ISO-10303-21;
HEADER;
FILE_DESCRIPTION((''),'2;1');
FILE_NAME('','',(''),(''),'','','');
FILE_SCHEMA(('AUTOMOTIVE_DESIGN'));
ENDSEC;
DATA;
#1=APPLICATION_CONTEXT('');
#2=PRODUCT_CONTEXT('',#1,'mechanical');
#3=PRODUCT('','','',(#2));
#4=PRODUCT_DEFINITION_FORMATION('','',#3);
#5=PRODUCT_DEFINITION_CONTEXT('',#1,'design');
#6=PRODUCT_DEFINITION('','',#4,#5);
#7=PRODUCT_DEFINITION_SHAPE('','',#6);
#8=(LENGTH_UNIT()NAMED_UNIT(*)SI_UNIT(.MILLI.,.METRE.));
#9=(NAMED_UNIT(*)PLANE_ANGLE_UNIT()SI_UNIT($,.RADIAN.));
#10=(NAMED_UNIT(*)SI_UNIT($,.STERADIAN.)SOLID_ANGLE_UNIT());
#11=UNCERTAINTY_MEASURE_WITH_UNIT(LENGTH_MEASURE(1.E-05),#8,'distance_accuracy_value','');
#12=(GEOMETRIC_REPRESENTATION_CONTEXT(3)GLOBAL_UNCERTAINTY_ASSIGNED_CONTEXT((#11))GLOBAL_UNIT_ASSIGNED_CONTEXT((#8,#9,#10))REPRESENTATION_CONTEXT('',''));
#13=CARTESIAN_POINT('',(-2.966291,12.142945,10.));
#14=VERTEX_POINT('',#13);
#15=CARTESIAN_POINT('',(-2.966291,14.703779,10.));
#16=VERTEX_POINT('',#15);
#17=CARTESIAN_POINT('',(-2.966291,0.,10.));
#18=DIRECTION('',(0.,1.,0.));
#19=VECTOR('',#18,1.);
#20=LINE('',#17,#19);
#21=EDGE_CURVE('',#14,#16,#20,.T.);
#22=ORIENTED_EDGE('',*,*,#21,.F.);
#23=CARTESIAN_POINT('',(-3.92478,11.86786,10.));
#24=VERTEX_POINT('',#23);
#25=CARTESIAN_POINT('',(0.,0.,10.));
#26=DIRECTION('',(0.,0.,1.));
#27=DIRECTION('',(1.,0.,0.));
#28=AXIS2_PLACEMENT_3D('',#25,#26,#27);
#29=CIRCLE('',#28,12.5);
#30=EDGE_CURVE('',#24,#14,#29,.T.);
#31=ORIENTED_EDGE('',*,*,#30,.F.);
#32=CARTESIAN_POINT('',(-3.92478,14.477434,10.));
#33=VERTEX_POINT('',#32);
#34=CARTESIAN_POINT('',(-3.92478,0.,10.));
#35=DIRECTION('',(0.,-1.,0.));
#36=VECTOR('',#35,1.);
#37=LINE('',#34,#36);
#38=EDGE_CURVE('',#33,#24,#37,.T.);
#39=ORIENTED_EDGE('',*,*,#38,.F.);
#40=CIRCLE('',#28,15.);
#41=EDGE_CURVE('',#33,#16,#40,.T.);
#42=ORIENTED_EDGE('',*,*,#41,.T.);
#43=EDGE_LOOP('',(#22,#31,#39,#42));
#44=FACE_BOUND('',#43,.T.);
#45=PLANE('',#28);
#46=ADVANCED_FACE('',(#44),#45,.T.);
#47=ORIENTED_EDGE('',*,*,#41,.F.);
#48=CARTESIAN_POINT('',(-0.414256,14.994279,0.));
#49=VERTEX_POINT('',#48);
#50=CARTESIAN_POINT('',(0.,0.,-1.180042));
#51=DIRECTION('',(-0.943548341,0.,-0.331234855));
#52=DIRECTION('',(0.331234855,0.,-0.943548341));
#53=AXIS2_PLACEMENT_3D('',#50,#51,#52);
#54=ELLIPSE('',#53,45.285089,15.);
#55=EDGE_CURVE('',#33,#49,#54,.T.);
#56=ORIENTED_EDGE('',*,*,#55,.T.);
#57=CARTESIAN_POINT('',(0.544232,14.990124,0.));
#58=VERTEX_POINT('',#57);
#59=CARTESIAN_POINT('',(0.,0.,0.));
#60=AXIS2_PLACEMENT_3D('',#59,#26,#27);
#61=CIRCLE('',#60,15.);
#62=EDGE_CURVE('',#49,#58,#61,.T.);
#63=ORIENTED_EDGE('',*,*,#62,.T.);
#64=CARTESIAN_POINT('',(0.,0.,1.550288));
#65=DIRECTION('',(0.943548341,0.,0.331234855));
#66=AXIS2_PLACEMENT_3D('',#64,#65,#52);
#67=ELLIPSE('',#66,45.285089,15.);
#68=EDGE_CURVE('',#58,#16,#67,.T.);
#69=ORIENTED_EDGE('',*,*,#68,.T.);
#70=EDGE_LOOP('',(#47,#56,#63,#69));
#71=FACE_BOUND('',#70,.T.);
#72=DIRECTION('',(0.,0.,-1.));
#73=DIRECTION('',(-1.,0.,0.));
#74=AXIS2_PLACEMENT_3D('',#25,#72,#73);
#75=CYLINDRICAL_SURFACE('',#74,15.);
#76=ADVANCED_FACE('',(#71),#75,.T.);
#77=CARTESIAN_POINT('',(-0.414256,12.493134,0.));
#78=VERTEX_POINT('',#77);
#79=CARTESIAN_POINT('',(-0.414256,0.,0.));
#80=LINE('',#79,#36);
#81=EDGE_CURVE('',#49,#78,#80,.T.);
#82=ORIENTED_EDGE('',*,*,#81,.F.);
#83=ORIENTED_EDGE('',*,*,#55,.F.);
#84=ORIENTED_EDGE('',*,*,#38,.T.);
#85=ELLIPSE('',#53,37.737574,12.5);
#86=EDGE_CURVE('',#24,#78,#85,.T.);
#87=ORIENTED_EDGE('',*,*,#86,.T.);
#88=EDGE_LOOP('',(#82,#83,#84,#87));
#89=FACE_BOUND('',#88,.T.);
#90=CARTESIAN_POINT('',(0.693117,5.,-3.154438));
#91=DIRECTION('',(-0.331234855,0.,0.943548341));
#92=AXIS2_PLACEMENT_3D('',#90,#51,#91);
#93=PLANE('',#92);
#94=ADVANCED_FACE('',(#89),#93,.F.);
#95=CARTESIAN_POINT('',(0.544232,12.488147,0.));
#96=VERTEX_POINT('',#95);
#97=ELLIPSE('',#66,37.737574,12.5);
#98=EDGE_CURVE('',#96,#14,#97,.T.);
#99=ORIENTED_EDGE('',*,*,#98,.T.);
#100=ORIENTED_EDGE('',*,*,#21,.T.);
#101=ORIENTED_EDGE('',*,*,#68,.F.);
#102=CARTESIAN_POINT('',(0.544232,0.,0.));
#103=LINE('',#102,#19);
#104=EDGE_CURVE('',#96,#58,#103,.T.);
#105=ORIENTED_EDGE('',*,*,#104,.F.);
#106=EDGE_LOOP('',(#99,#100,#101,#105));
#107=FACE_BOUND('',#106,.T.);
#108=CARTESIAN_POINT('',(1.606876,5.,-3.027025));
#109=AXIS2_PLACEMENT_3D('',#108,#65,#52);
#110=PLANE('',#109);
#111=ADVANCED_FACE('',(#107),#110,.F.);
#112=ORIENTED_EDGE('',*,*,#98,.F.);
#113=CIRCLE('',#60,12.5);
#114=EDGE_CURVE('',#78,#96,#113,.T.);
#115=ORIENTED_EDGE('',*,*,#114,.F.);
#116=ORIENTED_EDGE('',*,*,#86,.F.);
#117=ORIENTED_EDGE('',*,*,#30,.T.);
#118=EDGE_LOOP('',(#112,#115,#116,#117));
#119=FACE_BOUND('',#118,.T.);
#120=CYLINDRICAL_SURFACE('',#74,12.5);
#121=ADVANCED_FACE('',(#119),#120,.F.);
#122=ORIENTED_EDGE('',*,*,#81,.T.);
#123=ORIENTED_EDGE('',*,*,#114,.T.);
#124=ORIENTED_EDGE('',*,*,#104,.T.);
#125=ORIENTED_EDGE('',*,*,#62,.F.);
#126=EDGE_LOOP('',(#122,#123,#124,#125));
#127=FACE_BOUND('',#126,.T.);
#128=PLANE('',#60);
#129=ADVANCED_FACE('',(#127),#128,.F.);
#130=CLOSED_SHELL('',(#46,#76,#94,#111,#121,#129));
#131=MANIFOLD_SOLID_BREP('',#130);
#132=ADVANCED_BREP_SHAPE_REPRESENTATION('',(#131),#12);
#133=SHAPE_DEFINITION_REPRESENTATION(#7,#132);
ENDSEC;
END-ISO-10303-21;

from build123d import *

# Parameters (mm, degrees)
SKETCH1_R           = 15
SKETCH1_R_2         = 12.5
BOSS_EXTRUDE1_DEPTH = 10
CUT_EXTRUDE1_DEPTH  = 10


with BuildPart() as part:
    # Sketch1 → Boss-Extrude1 (new body)
    with BuildSketch(Plane.XY):
        Circle(SKETCH1_R)
        Circle(SKETCH1_R_2, mode=Mode.SUBTRACT)
    extrude(amount=BOSS_EXTRUDE1_DEPTH)

    # Sketch2 → Cut-Extrude1 (cut)
    with BuildSketch(Plane(origin=(0, 15, 0), x_dir=(1, 0, 0), z_dir=(0, 1, 0))):
        Polygon((0.693116527, 3.154438347), (-4.706995906, -12.228203461), (-3.793236096, -12.355616729), (1.606876337, 3.02702508), align=None)
    extrude(amount=-CUT_EXTRUDE1_DEPTH, mode=Mode.SUBTRACT)


solid = part.part
